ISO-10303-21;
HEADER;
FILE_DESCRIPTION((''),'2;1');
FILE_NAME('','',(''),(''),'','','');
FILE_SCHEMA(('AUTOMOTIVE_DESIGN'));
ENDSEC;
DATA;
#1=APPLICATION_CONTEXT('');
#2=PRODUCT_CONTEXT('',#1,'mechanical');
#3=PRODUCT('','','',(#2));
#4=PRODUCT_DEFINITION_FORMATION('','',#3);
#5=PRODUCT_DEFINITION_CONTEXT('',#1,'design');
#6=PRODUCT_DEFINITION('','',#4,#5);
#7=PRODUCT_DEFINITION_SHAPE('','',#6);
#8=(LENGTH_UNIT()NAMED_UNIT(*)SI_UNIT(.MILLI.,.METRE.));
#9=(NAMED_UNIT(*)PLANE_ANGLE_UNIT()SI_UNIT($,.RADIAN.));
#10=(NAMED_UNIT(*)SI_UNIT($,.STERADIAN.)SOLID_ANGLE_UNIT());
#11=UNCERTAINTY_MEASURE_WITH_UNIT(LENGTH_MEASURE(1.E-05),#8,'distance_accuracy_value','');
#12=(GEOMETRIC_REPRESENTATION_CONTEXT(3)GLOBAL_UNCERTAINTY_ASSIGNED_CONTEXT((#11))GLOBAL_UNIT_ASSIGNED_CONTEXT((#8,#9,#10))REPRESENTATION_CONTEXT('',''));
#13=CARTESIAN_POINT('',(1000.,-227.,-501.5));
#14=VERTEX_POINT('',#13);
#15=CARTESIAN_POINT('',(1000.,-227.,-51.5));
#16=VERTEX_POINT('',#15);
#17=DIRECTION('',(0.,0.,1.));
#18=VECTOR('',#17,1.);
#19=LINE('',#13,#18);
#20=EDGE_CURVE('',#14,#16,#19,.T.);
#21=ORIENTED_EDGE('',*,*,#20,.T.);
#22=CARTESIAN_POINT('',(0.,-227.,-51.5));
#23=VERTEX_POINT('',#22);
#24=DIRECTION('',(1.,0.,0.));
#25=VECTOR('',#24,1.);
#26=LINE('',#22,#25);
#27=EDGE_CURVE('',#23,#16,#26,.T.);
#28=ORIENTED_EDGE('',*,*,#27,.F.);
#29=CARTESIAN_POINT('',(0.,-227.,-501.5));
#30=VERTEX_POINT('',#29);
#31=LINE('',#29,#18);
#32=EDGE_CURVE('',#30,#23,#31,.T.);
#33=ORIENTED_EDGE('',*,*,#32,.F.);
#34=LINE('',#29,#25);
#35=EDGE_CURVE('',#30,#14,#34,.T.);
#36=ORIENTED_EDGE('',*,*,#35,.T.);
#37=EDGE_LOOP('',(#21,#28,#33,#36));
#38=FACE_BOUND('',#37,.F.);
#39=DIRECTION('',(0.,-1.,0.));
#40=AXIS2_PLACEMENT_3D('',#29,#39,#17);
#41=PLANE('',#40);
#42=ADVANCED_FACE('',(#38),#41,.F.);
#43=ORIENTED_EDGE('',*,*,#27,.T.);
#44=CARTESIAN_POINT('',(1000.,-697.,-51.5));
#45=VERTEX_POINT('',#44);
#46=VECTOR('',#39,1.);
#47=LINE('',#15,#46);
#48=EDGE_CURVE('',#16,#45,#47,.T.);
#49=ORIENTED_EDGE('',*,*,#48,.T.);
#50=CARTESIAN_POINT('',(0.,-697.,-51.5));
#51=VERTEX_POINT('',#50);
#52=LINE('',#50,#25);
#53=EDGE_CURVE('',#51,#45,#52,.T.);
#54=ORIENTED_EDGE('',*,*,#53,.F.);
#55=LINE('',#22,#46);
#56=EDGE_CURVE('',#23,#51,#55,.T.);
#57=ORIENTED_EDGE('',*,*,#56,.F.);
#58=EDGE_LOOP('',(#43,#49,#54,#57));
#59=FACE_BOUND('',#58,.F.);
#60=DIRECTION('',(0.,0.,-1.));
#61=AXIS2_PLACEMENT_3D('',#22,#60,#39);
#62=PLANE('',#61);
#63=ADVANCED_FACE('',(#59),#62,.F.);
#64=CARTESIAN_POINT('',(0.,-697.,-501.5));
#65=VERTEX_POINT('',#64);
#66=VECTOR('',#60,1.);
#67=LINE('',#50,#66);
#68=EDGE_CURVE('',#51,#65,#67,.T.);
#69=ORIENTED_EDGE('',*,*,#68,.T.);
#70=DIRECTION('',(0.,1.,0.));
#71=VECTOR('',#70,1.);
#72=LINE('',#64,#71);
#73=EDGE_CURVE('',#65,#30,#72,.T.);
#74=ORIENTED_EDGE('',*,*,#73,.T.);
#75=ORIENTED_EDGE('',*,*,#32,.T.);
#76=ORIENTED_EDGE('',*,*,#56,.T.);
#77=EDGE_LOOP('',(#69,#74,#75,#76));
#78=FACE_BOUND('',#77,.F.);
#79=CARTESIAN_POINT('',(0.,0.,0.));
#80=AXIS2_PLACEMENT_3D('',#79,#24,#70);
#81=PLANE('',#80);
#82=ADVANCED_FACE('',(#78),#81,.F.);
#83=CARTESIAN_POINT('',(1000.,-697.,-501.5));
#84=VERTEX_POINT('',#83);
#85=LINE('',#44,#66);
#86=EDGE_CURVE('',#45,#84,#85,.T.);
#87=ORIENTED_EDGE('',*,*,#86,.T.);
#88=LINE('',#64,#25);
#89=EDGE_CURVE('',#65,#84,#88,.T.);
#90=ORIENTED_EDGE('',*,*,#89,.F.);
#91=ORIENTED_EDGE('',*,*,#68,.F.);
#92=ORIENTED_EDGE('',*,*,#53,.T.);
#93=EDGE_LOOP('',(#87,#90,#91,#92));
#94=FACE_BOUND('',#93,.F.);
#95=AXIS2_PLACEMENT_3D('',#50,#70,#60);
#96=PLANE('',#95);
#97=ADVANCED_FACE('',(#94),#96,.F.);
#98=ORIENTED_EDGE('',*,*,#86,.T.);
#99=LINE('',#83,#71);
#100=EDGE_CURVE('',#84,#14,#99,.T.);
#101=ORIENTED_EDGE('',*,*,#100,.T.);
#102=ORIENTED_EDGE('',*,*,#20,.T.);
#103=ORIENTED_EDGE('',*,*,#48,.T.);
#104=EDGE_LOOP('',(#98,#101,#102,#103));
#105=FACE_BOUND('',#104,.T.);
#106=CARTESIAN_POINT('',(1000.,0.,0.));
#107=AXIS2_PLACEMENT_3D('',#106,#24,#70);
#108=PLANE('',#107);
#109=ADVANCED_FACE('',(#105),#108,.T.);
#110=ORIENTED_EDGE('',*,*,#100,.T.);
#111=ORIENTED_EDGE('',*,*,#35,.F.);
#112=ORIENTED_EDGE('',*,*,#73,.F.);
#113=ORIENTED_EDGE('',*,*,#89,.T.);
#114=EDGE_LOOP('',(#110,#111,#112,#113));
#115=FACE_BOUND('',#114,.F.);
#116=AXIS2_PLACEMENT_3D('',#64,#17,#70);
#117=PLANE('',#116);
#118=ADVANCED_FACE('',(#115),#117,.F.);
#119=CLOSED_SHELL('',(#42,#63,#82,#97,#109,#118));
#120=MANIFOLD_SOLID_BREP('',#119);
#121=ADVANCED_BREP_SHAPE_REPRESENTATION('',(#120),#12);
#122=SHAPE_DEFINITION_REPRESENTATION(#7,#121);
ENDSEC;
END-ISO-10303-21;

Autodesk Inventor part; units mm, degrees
ref_plane "YZ Plane" through (0, 0, 0) normal (1, 0, 0) x (0, 1, 0)
ref_plane "XZ Plane" through (0, 0, 0) normal (0, 1, 0) x (-1, 0, 0)
ref_plane "XY Plane" through (0, 0, 0) normal (0, 0, 1) x (1, 0, 0)
sketch "スケッチ1" plane through (0, 0, 0) normal (1, 0, 0) x (0, 1, 0)
  line L0 (-227, -51.5) -> (-697, -51.5)
  line L1 (-697, -51.5) -> (-697, -501.5)
  line L2 (-697, -501.5) -> (-227, -501.5)
  line L3 (-227, -501.5) -> (-227, -51.5)
  line L4 (-836.4, 0) -> (139.4, 0) projected
  line L5 (0, 100.3) -> (0, -601.8) projected
  point P0 (0, 0)
  dimension "d2" = 450
  dimension "d3" = 470
  dimension "d4" = 51.5
  dimension "d6" = 697
extrude "押し出し1" add sketch "スケッチ1" along normal blind 1000
properties part number "Side pontoon2"
